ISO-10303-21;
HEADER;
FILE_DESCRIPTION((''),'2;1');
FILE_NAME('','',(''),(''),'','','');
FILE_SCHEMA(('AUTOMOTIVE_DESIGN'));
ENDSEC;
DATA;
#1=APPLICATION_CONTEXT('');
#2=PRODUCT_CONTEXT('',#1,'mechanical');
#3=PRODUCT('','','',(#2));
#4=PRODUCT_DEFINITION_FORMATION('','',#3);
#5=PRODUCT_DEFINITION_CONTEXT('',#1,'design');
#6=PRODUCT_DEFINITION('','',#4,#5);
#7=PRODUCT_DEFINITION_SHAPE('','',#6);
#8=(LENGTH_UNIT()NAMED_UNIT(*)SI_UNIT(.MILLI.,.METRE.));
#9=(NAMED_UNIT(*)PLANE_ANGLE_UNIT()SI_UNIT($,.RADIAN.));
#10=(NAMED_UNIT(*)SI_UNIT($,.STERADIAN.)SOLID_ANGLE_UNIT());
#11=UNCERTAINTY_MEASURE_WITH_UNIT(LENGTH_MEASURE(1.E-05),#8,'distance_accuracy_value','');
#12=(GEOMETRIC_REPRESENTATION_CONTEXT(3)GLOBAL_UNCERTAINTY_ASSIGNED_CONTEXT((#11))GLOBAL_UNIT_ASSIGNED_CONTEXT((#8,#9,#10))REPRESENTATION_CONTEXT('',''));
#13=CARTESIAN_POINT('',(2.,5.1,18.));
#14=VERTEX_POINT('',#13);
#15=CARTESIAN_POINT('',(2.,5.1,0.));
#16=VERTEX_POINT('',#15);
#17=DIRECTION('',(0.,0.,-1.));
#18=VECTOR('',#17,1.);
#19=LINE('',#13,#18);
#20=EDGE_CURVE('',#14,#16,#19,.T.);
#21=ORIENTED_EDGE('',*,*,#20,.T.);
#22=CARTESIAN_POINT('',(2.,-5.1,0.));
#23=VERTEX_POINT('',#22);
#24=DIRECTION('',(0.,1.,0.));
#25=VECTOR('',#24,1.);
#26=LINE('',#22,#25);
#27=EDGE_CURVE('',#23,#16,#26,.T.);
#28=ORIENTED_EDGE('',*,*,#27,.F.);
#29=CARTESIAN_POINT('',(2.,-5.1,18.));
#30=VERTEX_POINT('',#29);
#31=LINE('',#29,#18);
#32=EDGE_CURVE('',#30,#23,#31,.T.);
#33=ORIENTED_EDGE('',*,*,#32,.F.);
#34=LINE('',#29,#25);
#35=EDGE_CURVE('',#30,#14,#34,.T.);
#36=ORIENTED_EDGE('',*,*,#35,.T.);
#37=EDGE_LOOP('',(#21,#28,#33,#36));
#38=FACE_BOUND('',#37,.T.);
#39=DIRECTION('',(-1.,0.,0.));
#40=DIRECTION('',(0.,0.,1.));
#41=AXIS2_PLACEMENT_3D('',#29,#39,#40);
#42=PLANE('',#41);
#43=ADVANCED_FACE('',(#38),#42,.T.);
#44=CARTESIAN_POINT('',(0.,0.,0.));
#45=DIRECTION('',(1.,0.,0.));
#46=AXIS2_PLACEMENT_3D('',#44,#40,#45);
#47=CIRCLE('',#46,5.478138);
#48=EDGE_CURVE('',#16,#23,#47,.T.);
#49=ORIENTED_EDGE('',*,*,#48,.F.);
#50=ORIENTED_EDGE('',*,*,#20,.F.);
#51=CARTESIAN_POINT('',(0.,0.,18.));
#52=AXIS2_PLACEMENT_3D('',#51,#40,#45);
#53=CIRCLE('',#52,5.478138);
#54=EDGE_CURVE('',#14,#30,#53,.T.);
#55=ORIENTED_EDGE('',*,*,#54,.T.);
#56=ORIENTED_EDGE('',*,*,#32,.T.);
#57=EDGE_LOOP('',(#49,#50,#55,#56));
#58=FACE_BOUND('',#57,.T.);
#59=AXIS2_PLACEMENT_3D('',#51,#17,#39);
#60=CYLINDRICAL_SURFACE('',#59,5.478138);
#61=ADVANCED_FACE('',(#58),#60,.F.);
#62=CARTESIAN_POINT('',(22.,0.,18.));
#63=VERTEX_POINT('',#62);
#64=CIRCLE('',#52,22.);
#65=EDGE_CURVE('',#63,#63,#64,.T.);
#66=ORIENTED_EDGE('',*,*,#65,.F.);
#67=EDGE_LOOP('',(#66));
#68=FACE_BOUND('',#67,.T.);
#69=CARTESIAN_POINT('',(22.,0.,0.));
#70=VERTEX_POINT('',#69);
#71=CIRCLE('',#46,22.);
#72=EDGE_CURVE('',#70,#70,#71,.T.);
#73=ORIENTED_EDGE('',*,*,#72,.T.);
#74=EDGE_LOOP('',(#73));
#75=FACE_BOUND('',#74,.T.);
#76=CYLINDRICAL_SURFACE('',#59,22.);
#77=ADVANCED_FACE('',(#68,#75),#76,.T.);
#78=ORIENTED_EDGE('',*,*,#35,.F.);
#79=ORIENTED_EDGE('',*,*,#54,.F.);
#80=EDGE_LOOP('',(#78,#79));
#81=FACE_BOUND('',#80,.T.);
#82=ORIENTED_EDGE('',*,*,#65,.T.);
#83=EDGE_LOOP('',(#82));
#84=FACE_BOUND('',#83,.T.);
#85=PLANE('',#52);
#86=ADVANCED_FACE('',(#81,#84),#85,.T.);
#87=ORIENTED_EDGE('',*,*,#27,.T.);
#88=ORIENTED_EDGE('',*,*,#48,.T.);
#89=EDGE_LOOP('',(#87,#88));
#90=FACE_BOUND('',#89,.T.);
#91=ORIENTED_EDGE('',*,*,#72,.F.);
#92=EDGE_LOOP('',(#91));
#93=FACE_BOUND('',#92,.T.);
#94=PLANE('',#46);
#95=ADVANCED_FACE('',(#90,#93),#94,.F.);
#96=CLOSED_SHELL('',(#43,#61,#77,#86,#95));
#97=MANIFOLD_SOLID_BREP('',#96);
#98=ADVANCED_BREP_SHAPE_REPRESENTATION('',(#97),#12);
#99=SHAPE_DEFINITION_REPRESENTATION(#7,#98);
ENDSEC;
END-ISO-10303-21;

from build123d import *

# Parameters (mm, degrees)
SKETCH_1_R      = 22
EXTRUDE_1_DEPTH = 18


with BuildPart() as part:
    # 草图1 → 凸台-拉伸1 (new body)
    with BuildSketch(Plane.XY):
        Circle(SKETCH_1_R)
        with BuildLine():
            Line((2, -5.1), (2, 5.1))
            ThreePointArc((2, 5.1), (-5.47813837, 0), (2, -5.1))
        make_face(mode=Mode.SUBTRACT)
    extrude(amount=EXTRUDE_1_DEPTH)


solid = part.part
